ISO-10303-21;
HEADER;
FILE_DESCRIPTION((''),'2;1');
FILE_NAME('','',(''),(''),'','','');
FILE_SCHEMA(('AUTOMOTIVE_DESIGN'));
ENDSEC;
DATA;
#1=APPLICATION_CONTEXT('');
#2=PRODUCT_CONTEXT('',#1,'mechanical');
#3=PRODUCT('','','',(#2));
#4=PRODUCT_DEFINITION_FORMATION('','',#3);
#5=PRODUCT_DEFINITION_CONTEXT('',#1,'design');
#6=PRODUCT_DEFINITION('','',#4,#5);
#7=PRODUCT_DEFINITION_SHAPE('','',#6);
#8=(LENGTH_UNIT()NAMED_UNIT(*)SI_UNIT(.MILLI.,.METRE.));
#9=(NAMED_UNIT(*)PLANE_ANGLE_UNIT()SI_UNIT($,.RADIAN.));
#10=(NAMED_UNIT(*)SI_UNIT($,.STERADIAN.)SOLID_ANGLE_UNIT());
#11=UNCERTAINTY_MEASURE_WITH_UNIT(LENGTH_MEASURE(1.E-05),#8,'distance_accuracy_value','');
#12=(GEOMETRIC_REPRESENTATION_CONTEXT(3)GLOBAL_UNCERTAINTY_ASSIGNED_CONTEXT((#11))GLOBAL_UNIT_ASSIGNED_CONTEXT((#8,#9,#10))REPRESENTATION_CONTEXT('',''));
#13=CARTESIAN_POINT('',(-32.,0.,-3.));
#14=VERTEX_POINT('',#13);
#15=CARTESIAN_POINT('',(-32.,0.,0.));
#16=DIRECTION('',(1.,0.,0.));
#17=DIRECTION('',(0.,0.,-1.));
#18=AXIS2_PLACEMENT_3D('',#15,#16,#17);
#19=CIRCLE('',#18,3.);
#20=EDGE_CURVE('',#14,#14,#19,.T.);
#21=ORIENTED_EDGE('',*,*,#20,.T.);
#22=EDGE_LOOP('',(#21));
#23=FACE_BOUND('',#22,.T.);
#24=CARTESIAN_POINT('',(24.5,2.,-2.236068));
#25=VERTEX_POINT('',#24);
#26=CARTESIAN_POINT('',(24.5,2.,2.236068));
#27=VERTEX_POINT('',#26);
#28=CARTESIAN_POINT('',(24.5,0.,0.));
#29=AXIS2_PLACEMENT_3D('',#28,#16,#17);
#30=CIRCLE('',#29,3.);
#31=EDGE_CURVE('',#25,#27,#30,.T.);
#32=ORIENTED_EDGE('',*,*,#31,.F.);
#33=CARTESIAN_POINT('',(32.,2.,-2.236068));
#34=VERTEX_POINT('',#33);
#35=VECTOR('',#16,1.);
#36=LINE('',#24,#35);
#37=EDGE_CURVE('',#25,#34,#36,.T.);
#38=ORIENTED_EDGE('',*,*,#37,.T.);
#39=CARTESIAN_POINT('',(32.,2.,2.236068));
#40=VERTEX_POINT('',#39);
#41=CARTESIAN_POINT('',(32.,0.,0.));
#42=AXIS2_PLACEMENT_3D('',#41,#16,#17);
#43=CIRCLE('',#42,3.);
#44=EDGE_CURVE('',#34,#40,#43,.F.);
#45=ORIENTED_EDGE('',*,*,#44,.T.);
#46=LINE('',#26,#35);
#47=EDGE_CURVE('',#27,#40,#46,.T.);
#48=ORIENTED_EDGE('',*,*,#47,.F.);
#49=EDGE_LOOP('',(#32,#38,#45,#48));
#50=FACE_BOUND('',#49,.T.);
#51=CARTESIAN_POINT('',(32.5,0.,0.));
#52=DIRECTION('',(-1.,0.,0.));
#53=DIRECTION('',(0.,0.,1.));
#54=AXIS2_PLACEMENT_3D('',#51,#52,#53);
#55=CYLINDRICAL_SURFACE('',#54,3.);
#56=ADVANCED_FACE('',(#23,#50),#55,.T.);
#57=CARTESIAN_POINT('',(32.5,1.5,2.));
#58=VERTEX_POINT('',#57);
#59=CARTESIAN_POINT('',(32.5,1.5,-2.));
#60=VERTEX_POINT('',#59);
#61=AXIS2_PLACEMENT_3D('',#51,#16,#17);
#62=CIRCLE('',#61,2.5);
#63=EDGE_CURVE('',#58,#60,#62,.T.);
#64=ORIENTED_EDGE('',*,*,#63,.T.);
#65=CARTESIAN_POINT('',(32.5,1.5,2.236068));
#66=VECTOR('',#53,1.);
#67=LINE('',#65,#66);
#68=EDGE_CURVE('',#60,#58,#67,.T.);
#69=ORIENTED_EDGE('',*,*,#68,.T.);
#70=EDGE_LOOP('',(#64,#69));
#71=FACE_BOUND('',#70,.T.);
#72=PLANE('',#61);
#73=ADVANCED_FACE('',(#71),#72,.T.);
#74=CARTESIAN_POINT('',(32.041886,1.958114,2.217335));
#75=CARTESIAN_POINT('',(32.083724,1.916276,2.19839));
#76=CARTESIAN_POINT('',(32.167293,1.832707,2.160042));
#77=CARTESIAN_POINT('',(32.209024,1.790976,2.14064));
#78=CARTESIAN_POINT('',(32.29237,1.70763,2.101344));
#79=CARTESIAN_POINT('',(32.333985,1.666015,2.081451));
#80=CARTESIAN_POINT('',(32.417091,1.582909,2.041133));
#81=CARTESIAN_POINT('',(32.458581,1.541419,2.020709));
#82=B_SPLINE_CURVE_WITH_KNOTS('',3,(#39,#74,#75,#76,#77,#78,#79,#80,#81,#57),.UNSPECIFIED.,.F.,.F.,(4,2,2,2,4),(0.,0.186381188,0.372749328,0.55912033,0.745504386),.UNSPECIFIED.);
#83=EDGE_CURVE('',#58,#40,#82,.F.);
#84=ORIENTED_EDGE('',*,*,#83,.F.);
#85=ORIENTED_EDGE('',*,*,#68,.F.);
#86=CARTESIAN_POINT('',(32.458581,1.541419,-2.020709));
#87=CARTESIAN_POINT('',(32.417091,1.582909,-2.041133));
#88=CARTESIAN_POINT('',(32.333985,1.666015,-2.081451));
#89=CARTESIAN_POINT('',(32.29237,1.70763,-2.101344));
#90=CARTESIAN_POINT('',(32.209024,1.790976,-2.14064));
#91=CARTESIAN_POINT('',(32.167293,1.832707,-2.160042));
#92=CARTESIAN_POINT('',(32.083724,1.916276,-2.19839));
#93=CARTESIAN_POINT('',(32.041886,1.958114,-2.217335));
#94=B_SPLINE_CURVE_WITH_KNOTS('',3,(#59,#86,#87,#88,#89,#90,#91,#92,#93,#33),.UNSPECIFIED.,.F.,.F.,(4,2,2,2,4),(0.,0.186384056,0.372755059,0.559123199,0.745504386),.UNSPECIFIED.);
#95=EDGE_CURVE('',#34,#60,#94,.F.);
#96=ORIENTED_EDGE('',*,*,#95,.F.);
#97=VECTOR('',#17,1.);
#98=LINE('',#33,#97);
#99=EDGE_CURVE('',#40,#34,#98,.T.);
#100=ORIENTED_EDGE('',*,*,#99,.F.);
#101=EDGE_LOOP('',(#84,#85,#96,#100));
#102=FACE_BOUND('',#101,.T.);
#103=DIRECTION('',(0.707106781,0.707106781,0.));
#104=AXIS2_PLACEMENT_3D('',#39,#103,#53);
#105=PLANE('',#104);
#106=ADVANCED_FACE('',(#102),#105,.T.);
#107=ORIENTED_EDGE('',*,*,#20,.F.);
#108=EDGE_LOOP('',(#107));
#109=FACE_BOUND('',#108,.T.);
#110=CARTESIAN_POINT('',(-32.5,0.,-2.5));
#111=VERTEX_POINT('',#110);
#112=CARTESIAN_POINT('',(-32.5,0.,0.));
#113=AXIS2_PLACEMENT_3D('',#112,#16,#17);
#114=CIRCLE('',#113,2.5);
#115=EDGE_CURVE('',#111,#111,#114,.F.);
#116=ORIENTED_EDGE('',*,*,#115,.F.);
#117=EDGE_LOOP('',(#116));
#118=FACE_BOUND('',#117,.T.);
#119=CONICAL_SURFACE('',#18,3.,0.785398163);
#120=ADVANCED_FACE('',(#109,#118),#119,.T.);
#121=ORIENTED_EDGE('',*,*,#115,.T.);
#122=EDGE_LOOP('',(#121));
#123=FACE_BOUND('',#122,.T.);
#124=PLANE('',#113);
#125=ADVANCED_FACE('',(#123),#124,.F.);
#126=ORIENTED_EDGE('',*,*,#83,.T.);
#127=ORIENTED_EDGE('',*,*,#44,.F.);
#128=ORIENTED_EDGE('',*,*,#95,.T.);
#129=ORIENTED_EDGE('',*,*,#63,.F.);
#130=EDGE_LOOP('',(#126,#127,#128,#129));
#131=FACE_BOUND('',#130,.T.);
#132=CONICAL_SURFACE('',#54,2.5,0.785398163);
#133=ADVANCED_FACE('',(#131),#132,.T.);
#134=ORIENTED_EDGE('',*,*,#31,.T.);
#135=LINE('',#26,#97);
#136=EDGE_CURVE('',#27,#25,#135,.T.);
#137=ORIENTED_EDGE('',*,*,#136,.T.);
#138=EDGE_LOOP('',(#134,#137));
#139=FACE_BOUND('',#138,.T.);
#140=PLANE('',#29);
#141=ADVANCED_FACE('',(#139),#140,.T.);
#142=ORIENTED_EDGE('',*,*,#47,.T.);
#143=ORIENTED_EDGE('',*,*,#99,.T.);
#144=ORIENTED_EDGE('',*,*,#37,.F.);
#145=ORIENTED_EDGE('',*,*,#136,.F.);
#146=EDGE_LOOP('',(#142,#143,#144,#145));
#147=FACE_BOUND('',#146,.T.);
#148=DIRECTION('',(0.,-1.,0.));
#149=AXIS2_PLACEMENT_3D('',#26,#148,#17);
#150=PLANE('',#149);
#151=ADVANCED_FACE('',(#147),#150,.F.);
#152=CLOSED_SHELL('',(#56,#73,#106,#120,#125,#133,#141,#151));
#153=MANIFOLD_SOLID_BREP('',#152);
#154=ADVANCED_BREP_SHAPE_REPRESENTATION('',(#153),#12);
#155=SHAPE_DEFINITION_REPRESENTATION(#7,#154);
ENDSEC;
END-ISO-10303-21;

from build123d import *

# Parameters (mm, degrees)
SKETCH1_R           = 3
BOSS_EXTRUDE1_DEPTH = 32.5
CUT_EXTRUDE1_DEPTH  = 8
CHAMFER1_SIZE       = 0.5


with BuildPart() as part:
    # Sketch1 → Boss-Extrude1 (new body, symmetric)
    with BuildSketch(Plane(origin=(0, 0, 0), x_dir=(0, 0, -1), z_dir=(1, 0, 0))):
        Circle(SKETCH1_R)
    extrude(amount=BOSS_EXTRUDE1_DEPTH, both=True)

    # Sketch2 → Cut-Extrude1 (cut)
    with BuildSketch(Plane(origin=(32.5, 0, 0), x_dir=(0, 0, -1), z_dir=(1, 0, 0))):
        with BuildLine():
            Line((-2.236067977, 2), (2.236067977, 2))
            ThreePointArc((2.236067977, 2), (0, 3), (-2.236067977, 2))
        make_face()
    extrude(amount=-CUT_EXTRUDE1_DEPTH, mode=Mode.SUBTRACT)

    # Chamfer1
    chamfer1_edges = [part.edges().sort_by_distance(p)[0] for p in [
        (-32.5, 0, 3),
        (32.5, -2.802517077, 1.070466269),
        (32.5, 2, 0),
    ]]
    chamfer(chamfer1_edges, length=CHAMFER1_SIZE)


solid = part.part
